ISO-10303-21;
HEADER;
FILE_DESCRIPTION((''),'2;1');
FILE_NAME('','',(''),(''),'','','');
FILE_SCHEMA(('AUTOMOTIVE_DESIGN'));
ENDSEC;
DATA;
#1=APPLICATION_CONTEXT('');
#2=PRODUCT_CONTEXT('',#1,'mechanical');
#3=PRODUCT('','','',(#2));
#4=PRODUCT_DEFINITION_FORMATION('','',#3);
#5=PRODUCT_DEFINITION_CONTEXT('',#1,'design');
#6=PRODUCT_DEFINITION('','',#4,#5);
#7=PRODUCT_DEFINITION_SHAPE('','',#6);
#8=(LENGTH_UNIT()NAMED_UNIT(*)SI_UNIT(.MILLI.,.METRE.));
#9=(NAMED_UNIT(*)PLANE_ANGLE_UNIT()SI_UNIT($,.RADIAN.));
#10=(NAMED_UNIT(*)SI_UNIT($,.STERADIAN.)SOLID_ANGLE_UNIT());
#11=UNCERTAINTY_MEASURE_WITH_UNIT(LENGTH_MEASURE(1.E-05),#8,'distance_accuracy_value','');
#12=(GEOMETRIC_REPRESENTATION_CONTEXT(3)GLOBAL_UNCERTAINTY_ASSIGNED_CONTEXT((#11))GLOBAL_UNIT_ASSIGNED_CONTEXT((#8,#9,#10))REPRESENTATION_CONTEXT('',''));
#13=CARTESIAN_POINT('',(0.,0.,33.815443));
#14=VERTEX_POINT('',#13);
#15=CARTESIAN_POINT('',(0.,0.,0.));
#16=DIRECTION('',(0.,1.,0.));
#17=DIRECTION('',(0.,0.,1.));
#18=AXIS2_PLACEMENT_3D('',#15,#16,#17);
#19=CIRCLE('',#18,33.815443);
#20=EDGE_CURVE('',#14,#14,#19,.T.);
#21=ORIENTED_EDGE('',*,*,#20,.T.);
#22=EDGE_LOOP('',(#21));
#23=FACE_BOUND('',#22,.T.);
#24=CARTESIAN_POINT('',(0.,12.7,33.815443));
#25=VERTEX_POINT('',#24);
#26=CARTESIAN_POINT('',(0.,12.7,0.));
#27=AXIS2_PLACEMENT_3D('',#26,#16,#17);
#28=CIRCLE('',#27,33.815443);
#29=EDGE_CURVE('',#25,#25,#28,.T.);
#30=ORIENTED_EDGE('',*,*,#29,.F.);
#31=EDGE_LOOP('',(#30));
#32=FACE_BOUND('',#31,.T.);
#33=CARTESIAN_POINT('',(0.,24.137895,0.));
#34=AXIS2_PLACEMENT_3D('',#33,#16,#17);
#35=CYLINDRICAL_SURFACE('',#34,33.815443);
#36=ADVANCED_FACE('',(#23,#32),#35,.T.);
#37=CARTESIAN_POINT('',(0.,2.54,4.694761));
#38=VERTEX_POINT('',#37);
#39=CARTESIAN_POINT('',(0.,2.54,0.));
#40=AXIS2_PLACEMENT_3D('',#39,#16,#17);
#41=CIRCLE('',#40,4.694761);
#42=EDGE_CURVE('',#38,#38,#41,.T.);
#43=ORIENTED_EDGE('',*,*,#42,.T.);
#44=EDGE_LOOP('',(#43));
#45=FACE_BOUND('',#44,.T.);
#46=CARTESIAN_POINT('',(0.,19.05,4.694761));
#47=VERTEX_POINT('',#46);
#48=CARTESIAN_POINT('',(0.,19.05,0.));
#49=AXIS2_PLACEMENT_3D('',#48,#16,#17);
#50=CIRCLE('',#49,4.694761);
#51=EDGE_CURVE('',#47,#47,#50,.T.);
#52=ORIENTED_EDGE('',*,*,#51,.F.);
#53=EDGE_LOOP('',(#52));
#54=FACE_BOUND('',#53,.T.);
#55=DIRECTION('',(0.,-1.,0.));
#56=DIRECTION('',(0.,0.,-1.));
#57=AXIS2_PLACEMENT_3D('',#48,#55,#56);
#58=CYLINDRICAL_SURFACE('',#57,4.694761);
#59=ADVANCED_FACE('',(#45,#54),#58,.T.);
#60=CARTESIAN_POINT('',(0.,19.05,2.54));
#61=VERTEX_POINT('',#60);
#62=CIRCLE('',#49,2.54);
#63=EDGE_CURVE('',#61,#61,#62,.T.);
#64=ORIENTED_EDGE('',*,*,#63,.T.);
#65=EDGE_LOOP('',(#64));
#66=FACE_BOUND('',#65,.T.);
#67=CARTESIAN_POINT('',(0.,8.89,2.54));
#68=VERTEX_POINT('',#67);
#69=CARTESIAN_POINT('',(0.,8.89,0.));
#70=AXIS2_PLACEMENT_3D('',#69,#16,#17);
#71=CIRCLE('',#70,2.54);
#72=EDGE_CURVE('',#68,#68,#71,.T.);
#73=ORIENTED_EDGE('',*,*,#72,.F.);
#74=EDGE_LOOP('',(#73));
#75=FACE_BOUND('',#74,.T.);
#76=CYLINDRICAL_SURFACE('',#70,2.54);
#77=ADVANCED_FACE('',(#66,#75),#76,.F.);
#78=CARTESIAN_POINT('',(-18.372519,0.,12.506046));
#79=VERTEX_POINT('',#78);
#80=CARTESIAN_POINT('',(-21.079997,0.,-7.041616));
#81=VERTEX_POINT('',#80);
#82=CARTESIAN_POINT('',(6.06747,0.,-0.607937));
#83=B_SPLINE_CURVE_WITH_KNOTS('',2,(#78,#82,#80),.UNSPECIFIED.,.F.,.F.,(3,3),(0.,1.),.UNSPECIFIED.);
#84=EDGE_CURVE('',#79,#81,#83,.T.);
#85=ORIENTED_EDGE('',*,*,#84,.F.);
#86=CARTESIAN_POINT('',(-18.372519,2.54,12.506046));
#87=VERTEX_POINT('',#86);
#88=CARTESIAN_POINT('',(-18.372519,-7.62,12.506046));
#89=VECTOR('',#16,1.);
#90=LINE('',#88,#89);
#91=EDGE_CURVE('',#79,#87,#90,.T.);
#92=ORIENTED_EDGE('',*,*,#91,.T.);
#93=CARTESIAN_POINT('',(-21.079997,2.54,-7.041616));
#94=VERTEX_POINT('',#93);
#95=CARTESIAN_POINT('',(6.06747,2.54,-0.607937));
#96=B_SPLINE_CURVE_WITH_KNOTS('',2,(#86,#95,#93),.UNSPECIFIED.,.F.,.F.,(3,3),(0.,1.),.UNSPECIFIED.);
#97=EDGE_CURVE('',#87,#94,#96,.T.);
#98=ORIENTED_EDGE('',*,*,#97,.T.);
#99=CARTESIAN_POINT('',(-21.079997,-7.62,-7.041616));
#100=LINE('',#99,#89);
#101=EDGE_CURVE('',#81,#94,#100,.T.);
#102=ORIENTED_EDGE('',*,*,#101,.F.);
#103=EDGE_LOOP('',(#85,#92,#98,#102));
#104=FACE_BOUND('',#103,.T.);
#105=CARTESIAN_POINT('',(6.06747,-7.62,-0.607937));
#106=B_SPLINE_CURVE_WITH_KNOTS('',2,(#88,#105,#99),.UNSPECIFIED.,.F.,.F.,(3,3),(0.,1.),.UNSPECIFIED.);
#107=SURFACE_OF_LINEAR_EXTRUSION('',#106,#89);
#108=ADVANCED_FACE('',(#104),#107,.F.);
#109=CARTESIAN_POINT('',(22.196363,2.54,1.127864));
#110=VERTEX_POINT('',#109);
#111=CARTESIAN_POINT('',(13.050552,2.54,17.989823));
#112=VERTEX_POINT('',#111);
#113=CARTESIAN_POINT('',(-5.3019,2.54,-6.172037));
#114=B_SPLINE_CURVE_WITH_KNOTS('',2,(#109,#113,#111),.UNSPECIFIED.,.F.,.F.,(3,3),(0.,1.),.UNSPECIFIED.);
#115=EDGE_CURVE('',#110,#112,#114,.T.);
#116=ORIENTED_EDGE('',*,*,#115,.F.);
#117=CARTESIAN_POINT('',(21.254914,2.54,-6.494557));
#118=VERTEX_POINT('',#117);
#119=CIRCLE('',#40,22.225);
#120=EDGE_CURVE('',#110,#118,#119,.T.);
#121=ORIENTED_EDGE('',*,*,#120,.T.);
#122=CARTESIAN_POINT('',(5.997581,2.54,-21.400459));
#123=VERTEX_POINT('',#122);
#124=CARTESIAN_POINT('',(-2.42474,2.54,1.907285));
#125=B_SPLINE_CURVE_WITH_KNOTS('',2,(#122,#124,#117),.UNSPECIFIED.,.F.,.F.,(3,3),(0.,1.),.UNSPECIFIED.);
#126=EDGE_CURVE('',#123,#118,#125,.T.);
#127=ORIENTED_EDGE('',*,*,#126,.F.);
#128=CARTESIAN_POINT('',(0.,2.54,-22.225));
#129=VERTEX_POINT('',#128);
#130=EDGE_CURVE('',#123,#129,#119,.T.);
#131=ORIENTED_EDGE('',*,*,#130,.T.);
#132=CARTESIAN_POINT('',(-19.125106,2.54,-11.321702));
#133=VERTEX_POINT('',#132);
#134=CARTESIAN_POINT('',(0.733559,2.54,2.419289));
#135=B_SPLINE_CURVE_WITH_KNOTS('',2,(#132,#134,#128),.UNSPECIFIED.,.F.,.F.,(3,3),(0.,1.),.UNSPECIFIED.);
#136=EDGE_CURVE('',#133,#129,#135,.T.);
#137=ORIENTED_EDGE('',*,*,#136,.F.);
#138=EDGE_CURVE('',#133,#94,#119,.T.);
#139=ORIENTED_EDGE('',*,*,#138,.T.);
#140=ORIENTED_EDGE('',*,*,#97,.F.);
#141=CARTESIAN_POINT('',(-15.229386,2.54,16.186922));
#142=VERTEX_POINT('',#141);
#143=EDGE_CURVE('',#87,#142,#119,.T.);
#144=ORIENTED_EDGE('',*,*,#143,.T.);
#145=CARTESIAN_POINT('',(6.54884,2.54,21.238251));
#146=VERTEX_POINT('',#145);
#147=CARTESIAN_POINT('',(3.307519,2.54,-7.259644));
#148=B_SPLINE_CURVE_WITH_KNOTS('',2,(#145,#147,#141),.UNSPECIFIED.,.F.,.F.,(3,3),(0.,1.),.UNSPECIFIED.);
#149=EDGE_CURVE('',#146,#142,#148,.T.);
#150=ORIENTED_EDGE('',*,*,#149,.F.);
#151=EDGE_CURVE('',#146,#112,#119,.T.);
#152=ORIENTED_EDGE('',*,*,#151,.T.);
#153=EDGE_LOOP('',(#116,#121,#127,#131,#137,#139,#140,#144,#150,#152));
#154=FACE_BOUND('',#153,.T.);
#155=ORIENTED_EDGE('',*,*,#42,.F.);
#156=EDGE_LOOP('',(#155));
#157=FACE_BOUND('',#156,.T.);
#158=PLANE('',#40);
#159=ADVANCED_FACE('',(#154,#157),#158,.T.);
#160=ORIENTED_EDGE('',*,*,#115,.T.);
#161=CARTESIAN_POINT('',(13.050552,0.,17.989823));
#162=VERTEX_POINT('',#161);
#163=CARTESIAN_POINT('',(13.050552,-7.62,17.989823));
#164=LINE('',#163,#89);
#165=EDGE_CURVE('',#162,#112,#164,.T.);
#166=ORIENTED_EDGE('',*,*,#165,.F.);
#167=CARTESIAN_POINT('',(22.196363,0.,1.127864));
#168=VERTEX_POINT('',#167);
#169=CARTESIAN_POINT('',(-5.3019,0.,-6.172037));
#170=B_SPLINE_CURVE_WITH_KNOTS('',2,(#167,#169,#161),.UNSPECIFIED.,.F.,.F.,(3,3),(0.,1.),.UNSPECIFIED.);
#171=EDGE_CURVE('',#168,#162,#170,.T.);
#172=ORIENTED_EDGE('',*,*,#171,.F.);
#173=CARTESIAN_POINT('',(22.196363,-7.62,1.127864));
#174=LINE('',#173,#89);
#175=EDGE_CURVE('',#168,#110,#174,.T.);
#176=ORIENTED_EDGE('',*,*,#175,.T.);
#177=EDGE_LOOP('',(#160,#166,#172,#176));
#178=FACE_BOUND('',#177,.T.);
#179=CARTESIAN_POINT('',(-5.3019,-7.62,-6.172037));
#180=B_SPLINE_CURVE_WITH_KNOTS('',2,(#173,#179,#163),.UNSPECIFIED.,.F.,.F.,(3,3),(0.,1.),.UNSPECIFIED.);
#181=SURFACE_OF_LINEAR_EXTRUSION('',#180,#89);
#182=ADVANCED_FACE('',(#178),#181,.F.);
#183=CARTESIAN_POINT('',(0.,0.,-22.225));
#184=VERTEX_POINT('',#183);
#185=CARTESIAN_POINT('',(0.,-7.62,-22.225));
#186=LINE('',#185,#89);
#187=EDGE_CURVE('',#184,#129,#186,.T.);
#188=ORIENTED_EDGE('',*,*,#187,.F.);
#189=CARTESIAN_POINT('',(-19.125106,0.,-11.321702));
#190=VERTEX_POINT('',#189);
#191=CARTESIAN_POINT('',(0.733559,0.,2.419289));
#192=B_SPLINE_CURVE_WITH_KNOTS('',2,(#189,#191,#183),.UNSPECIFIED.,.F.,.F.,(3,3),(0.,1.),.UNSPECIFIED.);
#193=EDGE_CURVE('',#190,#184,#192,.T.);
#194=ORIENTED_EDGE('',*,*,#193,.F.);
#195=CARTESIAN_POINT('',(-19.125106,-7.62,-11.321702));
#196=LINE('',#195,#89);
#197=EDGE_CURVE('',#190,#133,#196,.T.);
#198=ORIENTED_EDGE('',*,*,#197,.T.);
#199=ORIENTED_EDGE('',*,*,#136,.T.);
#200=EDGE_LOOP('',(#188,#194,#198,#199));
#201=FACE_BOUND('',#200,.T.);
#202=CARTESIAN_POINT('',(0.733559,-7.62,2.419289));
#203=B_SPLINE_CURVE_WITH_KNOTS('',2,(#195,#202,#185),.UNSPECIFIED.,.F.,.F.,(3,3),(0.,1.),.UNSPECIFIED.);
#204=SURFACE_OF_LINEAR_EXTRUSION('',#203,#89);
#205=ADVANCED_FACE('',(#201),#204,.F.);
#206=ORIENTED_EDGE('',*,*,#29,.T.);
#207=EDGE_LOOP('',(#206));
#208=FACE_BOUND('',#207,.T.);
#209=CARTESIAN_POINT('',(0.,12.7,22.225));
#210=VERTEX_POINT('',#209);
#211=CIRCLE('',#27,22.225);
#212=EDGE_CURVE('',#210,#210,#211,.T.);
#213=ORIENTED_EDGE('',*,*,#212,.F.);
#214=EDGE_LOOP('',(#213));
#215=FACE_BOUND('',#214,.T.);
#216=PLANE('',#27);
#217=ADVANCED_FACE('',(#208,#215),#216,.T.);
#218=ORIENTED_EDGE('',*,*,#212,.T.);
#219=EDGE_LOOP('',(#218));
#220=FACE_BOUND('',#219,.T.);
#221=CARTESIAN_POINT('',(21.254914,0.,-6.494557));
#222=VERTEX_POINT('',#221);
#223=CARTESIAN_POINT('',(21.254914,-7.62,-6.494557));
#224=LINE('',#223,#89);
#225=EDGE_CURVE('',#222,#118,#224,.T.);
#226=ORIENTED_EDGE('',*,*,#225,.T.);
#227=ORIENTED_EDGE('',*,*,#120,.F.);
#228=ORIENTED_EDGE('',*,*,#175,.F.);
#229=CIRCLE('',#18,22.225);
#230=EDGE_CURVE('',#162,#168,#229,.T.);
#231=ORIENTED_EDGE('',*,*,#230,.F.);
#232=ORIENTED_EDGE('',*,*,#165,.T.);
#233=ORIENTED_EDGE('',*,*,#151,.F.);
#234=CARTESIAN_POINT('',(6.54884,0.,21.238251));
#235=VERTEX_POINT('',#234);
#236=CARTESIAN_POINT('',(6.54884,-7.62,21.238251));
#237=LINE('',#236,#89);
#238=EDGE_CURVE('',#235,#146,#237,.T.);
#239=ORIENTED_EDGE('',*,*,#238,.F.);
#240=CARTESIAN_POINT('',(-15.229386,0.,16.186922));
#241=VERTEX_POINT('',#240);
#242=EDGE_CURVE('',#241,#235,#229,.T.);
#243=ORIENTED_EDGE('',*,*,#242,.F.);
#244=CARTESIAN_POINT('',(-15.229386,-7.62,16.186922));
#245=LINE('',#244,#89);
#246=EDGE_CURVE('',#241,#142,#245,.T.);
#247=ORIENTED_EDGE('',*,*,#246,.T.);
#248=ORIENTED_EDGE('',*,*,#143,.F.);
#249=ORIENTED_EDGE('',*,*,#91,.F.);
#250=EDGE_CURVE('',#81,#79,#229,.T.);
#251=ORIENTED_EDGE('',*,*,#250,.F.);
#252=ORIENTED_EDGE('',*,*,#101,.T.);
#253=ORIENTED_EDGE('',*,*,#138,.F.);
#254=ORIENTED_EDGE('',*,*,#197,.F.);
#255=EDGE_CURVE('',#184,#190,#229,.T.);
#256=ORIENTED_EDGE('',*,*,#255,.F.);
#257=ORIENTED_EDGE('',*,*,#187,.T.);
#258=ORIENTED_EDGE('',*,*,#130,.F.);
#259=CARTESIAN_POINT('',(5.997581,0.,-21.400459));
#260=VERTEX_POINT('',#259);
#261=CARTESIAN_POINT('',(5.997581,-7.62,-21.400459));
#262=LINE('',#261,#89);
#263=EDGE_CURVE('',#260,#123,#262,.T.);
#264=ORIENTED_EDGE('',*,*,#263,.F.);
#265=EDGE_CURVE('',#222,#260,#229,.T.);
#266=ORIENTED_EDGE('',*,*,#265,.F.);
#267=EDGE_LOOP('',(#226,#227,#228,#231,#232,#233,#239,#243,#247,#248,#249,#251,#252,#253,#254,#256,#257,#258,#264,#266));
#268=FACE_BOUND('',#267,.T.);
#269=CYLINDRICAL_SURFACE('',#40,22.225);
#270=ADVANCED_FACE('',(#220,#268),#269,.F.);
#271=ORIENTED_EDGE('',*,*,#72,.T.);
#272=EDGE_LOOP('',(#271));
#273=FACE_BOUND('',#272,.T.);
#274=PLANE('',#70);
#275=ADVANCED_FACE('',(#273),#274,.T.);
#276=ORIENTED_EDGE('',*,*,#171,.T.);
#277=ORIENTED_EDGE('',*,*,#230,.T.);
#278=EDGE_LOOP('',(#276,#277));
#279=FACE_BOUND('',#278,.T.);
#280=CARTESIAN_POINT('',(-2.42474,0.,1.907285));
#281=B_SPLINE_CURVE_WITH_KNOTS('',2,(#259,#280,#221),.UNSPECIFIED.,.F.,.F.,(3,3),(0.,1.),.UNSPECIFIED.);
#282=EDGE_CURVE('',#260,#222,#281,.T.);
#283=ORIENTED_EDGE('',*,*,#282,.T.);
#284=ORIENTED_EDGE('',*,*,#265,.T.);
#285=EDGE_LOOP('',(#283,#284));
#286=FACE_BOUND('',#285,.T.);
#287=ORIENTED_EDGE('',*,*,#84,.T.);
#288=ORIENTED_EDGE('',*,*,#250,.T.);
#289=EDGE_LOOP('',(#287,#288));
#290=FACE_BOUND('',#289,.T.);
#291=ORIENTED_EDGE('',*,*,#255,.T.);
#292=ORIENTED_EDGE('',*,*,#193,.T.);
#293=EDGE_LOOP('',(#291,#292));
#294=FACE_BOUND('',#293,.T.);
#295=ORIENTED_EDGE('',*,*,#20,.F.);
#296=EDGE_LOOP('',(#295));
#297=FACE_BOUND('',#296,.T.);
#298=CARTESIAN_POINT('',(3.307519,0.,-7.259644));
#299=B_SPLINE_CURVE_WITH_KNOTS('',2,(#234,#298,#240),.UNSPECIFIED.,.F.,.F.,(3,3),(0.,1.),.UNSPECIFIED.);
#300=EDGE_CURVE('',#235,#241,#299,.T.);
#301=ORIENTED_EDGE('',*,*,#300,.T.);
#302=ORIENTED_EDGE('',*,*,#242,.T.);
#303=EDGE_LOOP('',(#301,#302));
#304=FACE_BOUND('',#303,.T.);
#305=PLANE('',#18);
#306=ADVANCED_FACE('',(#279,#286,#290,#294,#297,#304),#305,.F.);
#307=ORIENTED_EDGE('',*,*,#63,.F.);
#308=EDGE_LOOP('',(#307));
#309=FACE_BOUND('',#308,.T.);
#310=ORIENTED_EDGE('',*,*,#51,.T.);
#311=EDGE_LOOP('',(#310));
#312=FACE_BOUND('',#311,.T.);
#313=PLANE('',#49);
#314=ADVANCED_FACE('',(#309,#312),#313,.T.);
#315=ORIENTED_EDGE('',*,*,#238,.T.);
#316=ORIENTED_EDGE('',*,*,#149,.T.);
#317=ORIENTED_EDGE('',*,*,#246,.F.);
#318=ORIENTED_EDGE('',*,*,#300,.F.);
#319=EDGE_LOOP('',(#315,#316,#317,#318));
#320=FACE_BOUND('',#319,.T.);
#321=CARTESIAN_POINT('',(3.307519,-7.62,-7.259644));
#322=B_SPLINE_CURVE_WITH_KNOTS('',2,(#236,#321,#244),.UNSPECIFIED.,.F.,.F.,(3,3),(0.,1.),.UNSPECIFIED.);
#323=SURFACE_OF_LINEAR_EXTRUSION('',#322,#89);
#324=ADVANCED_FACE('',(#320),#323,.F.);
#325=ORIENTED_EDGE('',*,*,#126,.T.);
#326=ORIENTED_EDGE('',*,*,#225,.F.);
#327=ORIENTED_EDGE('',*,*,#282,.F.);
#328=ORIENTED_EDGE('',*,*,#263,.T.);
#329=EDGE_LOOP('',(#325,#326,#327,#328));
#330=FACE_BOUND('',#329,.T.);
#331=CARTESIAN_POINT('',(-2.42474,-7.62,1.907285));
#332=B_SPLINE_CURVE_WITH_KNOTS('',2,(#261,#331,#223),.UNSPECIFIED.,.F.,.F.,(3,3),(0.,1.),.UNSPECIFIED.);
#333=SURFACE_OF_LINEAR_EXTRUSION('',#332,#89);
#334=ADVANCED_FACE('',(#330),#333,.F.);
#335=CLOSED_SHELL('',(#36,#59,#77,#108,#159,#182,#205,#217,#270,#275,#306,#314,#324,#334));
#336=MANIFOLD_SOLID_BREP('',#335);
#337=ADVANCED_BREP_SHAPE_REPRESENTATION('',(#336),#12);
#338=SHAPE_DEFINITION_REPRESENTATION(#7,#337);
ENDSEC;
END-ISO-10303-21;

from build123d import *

# Parameters (mm, degrees)
SKETCH3_R           = 31.75
BOSS_EXTRUDE1_DEPTH = 12.7
SKETCH4_R           = 22.225
CUT_EXTRUDE1_DEPTH  = 10.16
CUT_EXTRUDE2_DEPTH  = 10.16
SKETCH8_R           = 4.694761347
BOSS_EXTRUDE2_DEPTH = 16.51
SKETCH9_R           = 2.54
CUT_EXTRUDE3_DEPTH  = 10.16
SKETCH10_W          = 2.065443221
SKETCH10_H          = 12.7


with BuildPart() as part:
    # Sketch3 → Boss-Extrude1 (new body)
    with BuildSketch(Plane(origin=(0, 0, 0), x_dir=(1, 0, 0), z_dir=(0, 1, 0))):
        with Locations(Location((0, 0, 0), (0, 0, 270))):
            Circle(SKETCH3_R)
    extrude(amount=BOSS_EXTRUDE1_DEPTH)

    # Sketch4 → Cut-Extrude1 (cut)
    with BuildSketch(Plane(origin=(0, 12.7, 0), x_dir=(1, 0, 0), z_dir=(0, 1, 0))):
        with Locations(Location((0, 0, 0), (0, 0, 270))):
            Circle(SKETCH4_R)
    extrude(amount=-CUT_EXTRUDE1_DEPTH, mode=Mode.SUBTRACT)

    # Sketch7 → Cut-Extrude2 (cut)
    with BuildSketch(Plane(origin=(0, 2.54, 0), x_dir=(1, 0, 0), z_dir=(0, 1, 0))):
        with BuildLine():
            ThreePointArc((-15.229385619, -16.18692184), (-5.02164827, -21.65025805), (6.548839828, -21.238251385))
            add(Edge.make_bspline(
                [(-15.229385619, -16.18692184), (3.307519141, 7.259643736), (6.548839828, -21.238251385)],
                knots=[0, 0, 0, 1, 1, 1], degree=2))
        make_face()
        with BuildLine():
            ThreePointArc((13.050551616, -17.989822887), (19.536316665, -10.596365234), (22.196363392, -1.127863993))
            add(Edge.make_bspline(
                [(13.050551616, -17.989822887), (-5.30189954, 6.172036524), (22.196363392, -1.127863993)],
                knots=[0, 0, 0, 1, 1, 1], degree=2))
        make_face()
        with BuildLine():
            ThreePointArc((21.254913667, 6.494556954), (15.531294033, 15.897469316), (5.997580887, 21.400459072))
            add(Edge.make_bspline(
                [(5.997580887, 21.400459072), (-2.424740226, -1.907285391), (21.254913667, 6.494556954)],
                knots=[0, 0, 0, 1, 1, 1], degree=2))
        make_face()
        with BuildLine():
            ThreePointArc((0, 22.225), (-11.007401994, 19.307711577), (-19.125106224, 11.321702033))
            add(Edge.make_bspline(
                [(0, 22.225), (0.733559441, -2.419288654), (-19.125106224, 11.321702033)],
                knots=[0, 0, 0, 1, 1, 1], degree=2))
        make_face()
        with BuildLine():
            ThreePointArc((-21.0799969, 7.041615986), (-22.014836277, -3.049198044), (-18.372518541, -12.506046036))
            add(Edge.make_bspline(
                [(-21.0799969, 7.041615986), (6.067470104, 0.607937187), (-18.372518541, -12.506046036)],
                knots=[0, 0, 0, 1, 1, 1], degree=2))
        make_face()
    extrude(amount=-CUT_EXTRUDE2_DEPTH, mode=Mode.SUBTRACT)

    # Sketch8 → Boss-Extrude2 (add)
    with BuildSketch(Plane(origin=(0, 2.54, 0), x_dir=(1, 0, 0), z_dir=(0, 1, 0))):
        with Locations(Location((0, 0, 0), (0, 0, 270))):
            Circle(SKETCH8_R)
    extrude(amount=BOSS_EXTRUDE2_DEPTH)

    # Sketch9 → Cut-Extrude3 (cut)
    with BuildSketch(Plane(origin=(0, 19.05, 0), x_dir=(1, 0, 0), z_dir=(0, 1, 0))):
        with Locations(Location((0, 0, 0), (0, 0, 270))):
            Circle(SKETCH9_R)
    extrude(amount=-CUT_EXTRUDE3_DEPTH, mode=Mode.SUBTRACT)

    # Sketch10 → Revolve1 (revolve)
    with BuildSketch(Plane.XY, mode=Mode.PRIVATE) as revolve1_sk:
        with Locations((-32.782721611, 6.35)):
            Rectangle(SKETCH10_W, SKETCH10_H)
    revolve(revolve1_sk.sketch.rotate(Axis((0, 24.137894977, 0), (0, -1, 0)), 270), axis=Axis((0, 24.137894977, 0), (0, -1, 0)))


solid = part.part
